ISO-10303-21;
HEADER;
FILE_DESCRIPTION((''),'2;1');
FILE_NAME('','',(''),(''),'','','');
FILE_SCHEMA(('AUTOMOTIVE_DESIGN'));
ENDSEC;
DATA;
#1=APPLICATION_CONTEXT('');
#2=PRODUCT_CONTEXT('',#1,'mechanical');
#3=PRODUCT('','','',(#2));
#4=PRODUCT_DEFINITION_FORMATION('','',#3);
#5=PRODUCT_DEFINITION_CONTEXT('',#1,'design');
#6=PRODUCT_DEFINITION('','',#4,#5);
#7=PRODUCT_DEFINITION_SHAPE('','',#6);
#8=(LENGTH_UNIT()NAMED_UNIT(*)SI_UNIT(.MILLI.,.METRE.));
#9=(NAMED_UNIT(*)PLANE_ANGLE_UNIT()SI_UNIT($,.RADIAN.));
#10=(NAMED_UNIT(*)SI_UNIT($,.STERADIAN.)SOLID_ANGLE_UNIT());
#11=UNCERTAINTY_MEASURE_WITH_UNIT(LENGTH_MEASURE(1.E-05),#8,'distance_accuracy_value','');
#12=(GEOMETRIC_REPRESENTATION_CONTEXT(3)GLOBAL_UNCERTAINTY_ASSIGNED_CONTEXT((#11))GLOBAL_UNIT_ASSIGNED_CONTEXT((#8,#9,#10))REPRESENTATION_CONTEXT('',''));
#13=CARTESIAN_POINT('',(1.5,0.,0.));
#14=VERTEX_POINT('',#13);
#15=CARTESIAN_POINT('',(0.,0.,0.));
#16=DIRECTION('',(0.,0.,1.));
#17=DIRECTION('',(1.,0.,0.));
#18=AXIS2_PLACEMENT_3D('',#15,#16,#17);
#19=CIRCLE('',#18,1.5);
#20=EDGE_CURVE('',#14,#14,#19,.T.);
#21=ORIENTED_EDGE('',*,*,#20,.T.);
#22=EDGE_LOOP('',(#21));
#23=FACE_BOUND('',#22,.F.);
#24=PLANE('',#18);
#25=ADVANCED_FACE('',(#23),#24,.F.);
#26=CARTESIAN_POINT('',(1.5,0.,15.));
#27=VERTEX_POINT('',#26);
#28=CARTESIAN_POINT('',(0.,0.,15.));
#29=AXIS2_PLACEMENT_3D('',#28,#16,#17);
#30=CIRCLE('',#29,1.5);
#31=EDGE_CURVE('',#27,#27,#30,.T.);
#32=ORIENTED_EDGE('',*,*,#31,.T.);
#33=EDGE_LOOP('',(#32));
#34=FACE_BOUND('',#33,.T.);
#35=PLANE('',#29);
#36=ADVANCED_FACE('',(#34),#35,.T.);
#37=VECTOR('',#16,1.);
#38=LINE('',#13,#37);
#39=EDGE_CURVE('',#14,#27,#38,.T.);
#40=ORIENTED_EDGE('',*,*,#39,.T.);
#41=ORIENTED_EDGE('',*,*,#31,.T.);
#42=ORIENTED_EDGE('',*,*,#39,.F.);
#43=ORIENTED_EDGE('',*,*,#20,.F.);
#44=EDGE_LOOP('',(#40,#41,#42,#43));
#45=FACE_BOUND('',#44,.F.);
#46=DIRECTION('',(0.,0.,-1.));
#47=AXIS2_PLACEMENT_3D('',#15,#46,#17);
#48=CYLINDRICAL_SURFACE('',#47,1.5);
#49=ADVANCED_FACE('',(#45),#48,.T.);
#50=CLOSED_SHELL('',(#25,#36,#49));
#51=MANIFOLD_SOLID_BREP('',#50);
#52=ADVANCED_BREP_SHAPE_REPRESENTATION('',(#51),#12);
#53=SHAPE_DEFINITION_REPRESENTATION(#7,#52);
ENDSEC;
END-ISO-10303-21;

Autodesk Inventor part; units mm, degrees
ref_plane "YZ Plane" through (0, 0, 0) normal (1, 0, 0) x (0, 1, 0)
ref_plane "XZ Plane" through (0, 0, 0) normal (0, 1, 0) x (-1, 0, 0)
ref_plane "XY Plane" through (0, 0, 0) normal (0, 0, 1) x (1, 0, 0)
sketch "Sketch1" plane through (0, 0, 0) normal (0, 0, 1) x (1, 0, 0)
  circle A0 centre (0, 0) radius 1.5
  dimension "d0" = 3
extrude "Extrusion1" add sketch "Sketch1" along normal blind 15
properties part number "F22"
